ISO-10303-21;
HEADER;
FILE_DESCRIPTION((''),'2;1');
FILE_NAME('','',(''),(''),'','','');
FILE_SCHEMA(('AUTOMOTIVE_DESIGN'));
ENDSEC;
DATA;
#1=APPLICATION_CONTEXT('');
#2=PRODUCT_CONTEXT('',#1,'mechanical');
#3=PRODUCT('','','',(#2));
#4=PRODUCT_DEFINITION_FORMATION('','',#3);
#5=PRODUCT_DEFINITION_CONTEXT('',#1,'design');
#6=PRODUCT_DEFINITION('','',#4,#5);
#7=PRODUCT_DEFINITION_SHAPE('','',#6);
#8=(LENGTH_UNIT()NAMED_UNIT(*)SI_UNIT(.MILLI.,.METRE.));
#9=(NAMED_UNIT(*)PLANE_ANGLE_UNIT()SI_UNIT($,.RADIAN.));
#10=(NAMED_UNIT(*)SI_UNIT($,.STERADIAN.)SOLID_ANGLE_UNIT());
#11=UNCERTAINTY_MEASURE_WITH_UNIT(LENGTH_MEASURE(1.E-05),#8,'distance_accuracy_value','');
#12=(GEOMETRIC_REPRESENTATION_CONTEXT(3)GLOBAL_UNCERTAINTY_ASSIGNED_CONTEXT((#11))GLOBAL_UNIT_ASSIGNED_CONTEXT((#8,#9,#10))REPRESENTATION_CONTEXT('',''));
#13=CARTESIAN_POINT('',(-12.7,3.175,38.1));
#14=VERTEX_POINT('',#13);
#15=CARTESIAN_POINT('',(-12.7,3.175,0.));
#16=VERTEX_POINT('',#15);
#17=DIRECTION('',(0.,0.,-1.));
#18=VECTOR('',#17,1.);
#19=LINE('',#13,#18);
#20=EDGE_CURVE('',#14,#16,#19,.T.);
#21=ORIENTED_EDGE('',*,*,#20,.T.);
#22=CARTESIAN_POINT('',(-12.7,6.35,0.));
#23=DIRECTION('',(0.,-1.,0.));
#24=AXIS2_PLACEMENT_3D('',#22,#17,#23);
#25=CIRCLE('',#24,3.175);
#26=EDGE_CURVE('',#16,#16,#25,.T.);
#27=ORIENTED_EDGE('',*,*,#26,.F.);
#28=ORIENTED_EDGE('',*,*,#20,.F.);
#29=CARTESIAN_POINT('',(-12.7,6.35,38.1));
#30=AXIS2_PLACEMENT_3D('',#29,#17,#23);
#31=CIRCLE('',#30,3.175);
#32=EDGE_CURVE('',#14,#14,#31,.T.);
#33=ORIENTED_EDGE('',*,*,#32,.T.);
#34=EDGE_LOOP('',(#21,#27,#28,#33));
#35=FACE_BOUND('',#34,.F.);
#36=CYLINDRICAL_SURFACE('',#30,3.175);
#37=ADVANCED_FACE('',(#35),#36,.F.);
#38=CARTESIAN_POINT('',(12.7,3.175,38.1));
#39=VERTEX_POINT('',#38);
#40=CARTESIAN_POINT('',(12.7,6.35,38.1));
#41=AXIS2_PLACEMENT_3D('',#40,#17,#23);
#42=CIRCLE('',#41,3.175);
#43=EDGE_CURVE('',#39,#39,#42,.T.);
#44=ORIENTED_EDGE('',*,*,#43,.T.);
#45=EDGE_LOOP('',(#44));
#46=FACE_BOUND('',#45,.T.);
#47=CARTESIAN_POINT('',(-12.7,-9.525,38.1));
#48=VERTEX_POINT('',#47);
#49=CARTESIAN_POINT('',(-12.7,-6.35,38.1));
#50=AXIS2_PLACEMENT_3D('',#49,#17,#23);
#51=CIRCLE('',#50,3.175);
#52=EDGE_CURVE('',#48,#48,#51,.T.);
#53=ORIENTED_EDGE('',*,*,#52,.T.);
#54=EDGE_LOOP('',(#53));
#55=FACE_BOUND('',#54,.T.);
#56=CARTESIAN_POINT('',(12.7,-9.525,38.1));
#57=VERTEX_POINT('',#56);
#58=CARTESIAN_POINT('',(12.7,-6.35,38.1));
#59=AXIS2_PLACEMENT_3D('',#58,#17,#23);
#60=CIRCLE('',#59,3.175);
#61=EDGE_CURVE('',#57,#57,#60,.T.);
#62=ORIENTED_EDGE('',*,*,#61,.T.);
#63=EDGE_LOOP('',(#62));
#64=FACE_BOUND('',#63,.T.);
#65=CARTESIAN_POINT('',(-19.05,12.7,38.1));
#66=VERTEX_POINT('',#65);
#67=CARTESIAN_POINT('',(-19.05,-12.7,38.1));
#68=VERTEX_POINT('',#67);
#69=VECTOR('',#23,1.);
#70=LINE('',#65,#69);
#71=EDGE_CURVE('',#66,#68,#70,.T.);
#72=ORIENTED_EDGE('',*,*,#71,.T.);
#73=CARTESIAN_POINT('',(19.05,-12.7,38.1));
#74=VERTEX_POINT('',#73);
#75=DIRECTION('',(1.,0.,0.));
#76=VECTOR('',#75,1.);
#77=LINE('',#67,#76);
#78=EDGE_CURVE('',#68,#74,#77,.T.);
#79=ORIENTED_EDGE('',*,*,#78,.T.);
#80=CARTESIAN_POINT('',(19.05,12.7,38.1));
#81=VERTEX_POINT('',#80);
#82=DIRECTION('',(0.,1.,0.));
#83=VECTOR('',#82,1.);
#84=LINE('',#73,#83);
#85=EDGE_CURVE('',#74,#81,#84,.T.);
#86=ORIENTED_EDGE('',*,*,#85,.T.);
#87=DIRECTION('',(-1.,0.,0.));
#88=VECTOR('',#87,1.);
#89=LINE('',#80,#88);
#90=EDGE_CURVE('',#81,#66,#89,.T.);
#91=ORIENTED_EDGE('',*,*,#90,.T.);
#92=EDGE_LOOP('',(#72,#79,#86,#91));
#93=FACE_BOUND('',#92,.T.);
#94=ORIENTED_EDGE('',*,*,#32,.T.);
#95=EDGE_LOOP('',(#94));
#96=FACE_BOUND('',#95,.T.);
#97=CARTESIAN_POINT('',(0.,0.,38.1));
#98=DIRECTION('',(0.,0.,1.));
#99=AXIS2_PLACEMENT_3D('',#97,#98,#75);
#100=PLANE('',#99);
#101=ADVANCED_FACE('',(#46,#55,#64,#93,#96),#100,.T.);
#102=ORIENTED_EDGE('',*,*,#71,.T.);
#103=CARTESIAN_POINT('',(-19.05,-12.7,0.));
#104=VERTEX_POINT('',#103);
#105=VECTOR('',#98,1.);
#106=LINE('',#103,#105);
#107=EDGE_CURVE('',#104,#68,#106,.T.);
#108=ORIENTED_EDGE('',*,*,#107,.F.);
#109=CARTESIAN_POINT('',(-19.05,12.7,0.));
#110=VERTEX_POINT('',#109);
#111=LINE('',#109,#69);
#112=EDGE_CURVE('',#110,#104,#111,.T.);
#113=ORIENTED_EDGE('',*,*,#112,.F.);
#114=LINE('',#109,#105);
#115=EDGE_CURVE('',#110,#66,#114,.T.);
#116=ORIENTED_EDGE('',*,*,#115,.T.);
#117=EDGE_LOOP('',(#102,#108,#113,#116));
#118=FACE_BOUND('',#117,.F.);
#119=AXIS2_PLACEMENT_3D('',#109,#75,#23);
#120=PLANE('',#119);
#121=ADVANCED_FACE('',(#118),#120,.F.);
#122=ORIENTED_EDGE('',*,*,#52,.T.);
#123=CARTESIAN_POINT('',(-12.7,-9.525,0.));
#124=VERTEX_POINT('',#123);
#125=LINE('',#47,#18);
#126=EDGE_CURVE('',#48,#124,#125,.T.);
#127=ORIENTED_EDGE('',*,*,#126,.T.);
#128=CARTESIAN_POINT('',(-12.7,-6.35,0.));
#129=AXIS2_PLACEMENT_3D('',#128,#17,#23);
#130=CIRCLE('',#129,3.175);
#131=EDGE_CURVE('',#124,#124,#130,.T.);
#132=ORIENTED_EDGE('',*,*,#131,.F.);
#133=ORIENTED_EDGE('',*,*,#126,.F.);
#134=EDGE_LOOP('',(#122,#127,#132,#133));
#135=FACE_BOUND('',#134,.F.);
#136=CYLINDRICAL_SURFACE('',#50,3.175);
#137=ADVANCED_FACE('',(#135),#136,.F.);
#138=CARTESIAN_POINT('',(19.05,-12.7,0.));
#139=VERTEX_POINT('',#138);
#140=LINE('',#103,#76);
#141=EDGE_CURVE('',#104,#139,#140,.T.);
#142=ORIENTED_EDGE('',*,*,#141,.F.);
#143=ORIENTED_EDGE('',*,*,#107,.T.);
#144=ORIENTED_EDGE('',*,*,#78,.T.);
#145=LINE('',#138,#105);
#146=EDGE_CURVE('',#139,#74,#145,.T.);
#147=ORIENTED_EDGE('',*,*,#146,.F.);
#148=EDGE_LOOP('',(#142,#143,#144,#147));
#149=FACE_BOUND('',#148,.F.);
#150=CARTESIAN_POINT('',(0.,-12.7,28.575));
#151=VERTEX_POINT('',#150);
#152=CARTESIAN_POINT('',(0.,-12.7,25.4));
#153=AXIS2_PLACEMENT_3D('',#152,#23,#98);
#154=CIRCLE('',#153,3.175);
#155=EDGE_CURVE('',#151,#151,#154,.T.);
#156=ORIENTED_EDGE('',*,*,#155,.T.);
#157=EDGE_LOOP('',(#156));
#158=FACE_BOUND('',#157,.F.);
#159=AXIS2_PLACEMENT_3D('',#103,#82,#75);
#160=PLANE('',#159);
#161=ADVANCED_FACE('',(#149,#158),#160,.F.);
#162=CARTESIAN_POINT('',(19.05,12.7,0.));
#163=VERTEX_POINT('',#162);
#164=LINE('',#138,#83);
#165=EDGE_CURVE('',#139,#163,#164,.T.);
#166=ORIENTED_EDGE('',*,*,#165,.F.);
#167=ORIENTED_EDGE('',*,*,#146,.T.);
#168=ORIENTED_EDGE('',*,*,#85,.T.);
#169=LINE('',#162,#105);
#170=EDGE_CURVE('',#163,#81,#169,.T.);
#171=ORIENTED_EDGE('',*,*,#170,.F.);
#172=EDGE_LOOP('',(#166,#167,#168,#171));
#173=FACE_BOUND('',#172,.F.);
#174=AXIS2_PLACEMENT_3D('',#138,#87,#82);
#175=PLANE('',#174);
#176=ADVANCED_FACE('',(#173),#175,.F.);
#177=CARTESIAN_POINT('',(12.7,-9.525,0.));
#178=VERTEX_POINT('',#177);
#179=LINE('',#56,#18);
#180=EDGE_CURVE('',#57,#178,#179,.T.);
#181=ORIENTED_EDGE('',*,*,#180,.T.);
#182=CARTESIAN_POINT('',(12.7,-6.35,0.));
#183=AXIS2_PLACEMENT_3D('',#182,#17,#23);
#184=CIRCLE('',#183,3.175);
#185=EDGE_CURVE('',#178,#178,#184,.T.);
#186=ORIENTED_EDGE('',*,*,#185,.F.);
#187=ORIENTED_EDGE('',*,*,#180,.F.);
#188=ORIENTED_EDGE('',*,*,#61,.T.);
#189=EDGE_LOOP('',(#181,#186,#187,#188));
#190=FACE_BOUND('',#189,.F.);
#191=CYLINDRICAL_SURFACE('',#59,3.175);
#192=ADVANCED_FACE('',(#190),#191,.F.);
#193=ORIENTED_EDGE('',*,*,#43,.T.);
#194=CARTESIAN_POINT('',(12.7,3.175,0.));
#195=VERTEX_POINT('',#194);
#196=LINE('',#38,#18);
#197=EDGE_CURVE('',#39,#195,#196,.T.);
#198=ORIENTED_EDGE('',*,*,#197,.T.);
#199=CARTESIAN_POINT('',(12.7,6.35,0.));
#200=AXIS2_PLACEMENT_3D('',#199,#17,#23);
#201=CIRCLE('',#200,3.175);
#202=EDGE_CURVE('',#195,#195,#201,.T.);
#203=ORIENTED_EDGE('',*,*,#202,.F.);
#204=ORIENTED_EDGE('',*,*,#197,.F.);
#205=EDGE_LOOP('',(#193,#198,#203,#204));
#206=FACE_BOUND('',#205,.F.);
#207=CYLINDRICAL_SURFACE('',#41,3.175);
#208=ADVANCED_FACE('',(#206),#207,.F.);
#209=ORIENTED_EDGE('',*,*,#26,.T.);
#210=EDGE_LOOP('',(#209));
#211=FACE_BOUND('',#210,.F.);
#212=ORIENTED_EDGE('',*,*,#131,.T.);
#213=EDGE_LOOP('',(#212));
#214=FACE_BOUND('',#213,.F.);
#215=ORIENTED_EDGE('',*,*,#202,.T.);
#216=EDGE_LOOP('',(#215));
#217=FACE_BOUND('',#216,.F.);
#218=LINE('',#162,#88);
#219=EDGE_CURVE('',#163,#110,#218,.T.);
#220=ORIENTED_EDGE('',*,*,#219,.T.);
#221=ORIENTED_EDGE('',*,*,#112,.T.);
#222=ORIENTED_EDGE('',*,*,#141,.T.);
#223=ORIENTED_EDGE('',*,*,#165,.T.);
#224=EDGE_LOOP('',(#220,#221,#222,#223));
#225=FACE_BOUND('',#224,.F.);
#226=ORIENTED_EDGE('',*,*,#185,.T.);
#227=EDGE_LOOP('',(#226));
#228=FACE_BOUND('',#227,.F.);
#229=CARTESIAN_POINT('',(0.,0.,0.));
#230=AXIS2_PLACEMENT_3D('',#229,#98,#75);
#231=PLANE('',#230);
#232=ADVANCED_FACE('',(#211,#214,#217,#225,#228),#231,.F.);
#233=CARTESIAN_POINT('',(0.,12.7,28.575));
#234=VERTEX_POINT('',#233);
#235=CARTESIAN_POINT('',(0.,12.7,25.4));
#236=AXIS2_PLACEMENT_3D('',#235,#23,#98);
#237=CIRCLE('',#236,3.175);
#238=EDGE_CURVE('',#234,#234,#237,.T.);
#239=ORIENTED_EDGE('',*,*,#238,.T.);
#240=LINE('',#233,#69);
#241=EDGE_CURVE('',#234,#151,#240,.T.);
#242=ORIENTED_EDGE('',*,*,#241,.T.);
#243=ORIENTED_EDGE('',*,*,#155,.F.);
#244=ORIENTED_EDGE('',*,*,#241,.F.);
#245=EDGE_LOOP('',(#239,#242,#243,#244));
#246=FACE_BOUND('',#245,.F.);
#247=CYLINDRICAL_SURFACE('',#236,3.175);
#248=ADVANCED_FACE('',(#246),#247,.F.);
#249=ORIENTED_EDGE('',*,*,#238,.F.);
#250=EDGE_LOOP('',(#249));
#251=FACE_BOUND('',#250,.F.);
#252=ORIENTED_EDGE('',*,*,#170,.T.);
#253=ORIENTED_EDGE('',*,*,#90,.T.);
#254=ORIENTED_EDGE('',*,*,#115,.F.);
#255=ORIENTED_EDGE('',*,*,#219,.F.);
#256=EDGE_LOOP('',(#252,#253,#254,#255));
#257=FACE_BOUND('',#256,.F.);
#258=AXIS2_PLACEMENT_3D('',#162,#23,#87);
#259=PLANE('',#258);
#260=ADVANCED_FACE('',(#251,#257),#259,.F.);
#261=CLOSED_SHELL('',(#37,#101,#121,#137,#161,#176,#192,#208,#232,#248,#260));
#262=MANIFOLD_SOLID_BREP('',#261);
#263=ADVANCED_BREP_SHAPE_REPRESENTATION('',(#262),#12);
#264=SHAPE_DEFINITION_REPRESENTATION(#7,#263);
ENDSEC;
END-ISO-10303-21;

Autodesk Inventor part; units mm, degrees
ref_plane "YZ Plane" through (0, 0, 0) normal (1, 0, 0) x (0, 1, 0)
ref_plane "XZ Plane" through (0, 0, 0) normal (0, 1, 0) x (-1, 0, 0)
ref_plane "XY Plane" through (0, 0, 0) normal (0, 0, 1) x (1, 0, 0)
sketch "Sketch1" plane through (0, 0, 0) normal (0, 0, 1) x (1, 0, 0)
  line L0 (-19.05, -12.7) -> (19.05, -12.7)
  line L1 (19.05, -12.7) -> (19.05, 12.7)
  line L2 (19.05, 12.7) -> (-19.05, 12.7)
  line L3 (-19.05, 12.7) -> (-19.05, -12.7)
  line L4 (-19.05, -12.7) -> (19.05, 12.7) construction
  line L5 (19.05, -12.7) -> (-19.05, 12.7) construction
  point P0 (0, 0)
  dimension "d0" = 38.1
  dimension "d1" = 25.4
extrude "Extrusion1" add sketch "Sketch1" along normal blind 38.1
sketch "Sketch2" plane through (0, 0, 38.1) normal (0, 0, 1) x (1, 0, 0)
  line L0 (12.7, -6.35) -> (-12.7, -6.35)
  line L1 (-12.7, -6.35) -> (-12.7, 6.35)
  line L2 (-12.7, 6.35) -> (12.7, 6.35)
  line L3 (12.7, 6.35) -> (12.7, -6.35)
  line L4 (12.7, -6.35) -> (-12.7, 6.35) construction
  line L5 (-12.7, -6.35) -> (12.7, 6.35) construction
  point P0 (0, 0)
  point P1 (0, 0)
  dimension "d4" = 25.4
  dimension "d5" = 12.7
hole "Hole1" at (12.7, 6.35, 38.1) at (-12.7, 6.35, 38.1) at (-12.7, -6.35, 38.1) at (12.7, -6.35, 38.1) direction (0, 0, -1) diameter 6.35 end through all
sketch "Sketch3" plane through (-19.05, 12.7, 0) normal (0, 1, 0) x (1, 0, 0)
  line L0 (38.1, 0) -> (38.1, -38.1) projected
  line L1 (19.05, 0) -> (19.05, -25.4) construction
  dimension "d13" = 25.4
hole "Hole2" at (0, 12.7, 25.4) direction (0, -1, 0) diameter 6.35 end through all
properties part number "rod guide"
